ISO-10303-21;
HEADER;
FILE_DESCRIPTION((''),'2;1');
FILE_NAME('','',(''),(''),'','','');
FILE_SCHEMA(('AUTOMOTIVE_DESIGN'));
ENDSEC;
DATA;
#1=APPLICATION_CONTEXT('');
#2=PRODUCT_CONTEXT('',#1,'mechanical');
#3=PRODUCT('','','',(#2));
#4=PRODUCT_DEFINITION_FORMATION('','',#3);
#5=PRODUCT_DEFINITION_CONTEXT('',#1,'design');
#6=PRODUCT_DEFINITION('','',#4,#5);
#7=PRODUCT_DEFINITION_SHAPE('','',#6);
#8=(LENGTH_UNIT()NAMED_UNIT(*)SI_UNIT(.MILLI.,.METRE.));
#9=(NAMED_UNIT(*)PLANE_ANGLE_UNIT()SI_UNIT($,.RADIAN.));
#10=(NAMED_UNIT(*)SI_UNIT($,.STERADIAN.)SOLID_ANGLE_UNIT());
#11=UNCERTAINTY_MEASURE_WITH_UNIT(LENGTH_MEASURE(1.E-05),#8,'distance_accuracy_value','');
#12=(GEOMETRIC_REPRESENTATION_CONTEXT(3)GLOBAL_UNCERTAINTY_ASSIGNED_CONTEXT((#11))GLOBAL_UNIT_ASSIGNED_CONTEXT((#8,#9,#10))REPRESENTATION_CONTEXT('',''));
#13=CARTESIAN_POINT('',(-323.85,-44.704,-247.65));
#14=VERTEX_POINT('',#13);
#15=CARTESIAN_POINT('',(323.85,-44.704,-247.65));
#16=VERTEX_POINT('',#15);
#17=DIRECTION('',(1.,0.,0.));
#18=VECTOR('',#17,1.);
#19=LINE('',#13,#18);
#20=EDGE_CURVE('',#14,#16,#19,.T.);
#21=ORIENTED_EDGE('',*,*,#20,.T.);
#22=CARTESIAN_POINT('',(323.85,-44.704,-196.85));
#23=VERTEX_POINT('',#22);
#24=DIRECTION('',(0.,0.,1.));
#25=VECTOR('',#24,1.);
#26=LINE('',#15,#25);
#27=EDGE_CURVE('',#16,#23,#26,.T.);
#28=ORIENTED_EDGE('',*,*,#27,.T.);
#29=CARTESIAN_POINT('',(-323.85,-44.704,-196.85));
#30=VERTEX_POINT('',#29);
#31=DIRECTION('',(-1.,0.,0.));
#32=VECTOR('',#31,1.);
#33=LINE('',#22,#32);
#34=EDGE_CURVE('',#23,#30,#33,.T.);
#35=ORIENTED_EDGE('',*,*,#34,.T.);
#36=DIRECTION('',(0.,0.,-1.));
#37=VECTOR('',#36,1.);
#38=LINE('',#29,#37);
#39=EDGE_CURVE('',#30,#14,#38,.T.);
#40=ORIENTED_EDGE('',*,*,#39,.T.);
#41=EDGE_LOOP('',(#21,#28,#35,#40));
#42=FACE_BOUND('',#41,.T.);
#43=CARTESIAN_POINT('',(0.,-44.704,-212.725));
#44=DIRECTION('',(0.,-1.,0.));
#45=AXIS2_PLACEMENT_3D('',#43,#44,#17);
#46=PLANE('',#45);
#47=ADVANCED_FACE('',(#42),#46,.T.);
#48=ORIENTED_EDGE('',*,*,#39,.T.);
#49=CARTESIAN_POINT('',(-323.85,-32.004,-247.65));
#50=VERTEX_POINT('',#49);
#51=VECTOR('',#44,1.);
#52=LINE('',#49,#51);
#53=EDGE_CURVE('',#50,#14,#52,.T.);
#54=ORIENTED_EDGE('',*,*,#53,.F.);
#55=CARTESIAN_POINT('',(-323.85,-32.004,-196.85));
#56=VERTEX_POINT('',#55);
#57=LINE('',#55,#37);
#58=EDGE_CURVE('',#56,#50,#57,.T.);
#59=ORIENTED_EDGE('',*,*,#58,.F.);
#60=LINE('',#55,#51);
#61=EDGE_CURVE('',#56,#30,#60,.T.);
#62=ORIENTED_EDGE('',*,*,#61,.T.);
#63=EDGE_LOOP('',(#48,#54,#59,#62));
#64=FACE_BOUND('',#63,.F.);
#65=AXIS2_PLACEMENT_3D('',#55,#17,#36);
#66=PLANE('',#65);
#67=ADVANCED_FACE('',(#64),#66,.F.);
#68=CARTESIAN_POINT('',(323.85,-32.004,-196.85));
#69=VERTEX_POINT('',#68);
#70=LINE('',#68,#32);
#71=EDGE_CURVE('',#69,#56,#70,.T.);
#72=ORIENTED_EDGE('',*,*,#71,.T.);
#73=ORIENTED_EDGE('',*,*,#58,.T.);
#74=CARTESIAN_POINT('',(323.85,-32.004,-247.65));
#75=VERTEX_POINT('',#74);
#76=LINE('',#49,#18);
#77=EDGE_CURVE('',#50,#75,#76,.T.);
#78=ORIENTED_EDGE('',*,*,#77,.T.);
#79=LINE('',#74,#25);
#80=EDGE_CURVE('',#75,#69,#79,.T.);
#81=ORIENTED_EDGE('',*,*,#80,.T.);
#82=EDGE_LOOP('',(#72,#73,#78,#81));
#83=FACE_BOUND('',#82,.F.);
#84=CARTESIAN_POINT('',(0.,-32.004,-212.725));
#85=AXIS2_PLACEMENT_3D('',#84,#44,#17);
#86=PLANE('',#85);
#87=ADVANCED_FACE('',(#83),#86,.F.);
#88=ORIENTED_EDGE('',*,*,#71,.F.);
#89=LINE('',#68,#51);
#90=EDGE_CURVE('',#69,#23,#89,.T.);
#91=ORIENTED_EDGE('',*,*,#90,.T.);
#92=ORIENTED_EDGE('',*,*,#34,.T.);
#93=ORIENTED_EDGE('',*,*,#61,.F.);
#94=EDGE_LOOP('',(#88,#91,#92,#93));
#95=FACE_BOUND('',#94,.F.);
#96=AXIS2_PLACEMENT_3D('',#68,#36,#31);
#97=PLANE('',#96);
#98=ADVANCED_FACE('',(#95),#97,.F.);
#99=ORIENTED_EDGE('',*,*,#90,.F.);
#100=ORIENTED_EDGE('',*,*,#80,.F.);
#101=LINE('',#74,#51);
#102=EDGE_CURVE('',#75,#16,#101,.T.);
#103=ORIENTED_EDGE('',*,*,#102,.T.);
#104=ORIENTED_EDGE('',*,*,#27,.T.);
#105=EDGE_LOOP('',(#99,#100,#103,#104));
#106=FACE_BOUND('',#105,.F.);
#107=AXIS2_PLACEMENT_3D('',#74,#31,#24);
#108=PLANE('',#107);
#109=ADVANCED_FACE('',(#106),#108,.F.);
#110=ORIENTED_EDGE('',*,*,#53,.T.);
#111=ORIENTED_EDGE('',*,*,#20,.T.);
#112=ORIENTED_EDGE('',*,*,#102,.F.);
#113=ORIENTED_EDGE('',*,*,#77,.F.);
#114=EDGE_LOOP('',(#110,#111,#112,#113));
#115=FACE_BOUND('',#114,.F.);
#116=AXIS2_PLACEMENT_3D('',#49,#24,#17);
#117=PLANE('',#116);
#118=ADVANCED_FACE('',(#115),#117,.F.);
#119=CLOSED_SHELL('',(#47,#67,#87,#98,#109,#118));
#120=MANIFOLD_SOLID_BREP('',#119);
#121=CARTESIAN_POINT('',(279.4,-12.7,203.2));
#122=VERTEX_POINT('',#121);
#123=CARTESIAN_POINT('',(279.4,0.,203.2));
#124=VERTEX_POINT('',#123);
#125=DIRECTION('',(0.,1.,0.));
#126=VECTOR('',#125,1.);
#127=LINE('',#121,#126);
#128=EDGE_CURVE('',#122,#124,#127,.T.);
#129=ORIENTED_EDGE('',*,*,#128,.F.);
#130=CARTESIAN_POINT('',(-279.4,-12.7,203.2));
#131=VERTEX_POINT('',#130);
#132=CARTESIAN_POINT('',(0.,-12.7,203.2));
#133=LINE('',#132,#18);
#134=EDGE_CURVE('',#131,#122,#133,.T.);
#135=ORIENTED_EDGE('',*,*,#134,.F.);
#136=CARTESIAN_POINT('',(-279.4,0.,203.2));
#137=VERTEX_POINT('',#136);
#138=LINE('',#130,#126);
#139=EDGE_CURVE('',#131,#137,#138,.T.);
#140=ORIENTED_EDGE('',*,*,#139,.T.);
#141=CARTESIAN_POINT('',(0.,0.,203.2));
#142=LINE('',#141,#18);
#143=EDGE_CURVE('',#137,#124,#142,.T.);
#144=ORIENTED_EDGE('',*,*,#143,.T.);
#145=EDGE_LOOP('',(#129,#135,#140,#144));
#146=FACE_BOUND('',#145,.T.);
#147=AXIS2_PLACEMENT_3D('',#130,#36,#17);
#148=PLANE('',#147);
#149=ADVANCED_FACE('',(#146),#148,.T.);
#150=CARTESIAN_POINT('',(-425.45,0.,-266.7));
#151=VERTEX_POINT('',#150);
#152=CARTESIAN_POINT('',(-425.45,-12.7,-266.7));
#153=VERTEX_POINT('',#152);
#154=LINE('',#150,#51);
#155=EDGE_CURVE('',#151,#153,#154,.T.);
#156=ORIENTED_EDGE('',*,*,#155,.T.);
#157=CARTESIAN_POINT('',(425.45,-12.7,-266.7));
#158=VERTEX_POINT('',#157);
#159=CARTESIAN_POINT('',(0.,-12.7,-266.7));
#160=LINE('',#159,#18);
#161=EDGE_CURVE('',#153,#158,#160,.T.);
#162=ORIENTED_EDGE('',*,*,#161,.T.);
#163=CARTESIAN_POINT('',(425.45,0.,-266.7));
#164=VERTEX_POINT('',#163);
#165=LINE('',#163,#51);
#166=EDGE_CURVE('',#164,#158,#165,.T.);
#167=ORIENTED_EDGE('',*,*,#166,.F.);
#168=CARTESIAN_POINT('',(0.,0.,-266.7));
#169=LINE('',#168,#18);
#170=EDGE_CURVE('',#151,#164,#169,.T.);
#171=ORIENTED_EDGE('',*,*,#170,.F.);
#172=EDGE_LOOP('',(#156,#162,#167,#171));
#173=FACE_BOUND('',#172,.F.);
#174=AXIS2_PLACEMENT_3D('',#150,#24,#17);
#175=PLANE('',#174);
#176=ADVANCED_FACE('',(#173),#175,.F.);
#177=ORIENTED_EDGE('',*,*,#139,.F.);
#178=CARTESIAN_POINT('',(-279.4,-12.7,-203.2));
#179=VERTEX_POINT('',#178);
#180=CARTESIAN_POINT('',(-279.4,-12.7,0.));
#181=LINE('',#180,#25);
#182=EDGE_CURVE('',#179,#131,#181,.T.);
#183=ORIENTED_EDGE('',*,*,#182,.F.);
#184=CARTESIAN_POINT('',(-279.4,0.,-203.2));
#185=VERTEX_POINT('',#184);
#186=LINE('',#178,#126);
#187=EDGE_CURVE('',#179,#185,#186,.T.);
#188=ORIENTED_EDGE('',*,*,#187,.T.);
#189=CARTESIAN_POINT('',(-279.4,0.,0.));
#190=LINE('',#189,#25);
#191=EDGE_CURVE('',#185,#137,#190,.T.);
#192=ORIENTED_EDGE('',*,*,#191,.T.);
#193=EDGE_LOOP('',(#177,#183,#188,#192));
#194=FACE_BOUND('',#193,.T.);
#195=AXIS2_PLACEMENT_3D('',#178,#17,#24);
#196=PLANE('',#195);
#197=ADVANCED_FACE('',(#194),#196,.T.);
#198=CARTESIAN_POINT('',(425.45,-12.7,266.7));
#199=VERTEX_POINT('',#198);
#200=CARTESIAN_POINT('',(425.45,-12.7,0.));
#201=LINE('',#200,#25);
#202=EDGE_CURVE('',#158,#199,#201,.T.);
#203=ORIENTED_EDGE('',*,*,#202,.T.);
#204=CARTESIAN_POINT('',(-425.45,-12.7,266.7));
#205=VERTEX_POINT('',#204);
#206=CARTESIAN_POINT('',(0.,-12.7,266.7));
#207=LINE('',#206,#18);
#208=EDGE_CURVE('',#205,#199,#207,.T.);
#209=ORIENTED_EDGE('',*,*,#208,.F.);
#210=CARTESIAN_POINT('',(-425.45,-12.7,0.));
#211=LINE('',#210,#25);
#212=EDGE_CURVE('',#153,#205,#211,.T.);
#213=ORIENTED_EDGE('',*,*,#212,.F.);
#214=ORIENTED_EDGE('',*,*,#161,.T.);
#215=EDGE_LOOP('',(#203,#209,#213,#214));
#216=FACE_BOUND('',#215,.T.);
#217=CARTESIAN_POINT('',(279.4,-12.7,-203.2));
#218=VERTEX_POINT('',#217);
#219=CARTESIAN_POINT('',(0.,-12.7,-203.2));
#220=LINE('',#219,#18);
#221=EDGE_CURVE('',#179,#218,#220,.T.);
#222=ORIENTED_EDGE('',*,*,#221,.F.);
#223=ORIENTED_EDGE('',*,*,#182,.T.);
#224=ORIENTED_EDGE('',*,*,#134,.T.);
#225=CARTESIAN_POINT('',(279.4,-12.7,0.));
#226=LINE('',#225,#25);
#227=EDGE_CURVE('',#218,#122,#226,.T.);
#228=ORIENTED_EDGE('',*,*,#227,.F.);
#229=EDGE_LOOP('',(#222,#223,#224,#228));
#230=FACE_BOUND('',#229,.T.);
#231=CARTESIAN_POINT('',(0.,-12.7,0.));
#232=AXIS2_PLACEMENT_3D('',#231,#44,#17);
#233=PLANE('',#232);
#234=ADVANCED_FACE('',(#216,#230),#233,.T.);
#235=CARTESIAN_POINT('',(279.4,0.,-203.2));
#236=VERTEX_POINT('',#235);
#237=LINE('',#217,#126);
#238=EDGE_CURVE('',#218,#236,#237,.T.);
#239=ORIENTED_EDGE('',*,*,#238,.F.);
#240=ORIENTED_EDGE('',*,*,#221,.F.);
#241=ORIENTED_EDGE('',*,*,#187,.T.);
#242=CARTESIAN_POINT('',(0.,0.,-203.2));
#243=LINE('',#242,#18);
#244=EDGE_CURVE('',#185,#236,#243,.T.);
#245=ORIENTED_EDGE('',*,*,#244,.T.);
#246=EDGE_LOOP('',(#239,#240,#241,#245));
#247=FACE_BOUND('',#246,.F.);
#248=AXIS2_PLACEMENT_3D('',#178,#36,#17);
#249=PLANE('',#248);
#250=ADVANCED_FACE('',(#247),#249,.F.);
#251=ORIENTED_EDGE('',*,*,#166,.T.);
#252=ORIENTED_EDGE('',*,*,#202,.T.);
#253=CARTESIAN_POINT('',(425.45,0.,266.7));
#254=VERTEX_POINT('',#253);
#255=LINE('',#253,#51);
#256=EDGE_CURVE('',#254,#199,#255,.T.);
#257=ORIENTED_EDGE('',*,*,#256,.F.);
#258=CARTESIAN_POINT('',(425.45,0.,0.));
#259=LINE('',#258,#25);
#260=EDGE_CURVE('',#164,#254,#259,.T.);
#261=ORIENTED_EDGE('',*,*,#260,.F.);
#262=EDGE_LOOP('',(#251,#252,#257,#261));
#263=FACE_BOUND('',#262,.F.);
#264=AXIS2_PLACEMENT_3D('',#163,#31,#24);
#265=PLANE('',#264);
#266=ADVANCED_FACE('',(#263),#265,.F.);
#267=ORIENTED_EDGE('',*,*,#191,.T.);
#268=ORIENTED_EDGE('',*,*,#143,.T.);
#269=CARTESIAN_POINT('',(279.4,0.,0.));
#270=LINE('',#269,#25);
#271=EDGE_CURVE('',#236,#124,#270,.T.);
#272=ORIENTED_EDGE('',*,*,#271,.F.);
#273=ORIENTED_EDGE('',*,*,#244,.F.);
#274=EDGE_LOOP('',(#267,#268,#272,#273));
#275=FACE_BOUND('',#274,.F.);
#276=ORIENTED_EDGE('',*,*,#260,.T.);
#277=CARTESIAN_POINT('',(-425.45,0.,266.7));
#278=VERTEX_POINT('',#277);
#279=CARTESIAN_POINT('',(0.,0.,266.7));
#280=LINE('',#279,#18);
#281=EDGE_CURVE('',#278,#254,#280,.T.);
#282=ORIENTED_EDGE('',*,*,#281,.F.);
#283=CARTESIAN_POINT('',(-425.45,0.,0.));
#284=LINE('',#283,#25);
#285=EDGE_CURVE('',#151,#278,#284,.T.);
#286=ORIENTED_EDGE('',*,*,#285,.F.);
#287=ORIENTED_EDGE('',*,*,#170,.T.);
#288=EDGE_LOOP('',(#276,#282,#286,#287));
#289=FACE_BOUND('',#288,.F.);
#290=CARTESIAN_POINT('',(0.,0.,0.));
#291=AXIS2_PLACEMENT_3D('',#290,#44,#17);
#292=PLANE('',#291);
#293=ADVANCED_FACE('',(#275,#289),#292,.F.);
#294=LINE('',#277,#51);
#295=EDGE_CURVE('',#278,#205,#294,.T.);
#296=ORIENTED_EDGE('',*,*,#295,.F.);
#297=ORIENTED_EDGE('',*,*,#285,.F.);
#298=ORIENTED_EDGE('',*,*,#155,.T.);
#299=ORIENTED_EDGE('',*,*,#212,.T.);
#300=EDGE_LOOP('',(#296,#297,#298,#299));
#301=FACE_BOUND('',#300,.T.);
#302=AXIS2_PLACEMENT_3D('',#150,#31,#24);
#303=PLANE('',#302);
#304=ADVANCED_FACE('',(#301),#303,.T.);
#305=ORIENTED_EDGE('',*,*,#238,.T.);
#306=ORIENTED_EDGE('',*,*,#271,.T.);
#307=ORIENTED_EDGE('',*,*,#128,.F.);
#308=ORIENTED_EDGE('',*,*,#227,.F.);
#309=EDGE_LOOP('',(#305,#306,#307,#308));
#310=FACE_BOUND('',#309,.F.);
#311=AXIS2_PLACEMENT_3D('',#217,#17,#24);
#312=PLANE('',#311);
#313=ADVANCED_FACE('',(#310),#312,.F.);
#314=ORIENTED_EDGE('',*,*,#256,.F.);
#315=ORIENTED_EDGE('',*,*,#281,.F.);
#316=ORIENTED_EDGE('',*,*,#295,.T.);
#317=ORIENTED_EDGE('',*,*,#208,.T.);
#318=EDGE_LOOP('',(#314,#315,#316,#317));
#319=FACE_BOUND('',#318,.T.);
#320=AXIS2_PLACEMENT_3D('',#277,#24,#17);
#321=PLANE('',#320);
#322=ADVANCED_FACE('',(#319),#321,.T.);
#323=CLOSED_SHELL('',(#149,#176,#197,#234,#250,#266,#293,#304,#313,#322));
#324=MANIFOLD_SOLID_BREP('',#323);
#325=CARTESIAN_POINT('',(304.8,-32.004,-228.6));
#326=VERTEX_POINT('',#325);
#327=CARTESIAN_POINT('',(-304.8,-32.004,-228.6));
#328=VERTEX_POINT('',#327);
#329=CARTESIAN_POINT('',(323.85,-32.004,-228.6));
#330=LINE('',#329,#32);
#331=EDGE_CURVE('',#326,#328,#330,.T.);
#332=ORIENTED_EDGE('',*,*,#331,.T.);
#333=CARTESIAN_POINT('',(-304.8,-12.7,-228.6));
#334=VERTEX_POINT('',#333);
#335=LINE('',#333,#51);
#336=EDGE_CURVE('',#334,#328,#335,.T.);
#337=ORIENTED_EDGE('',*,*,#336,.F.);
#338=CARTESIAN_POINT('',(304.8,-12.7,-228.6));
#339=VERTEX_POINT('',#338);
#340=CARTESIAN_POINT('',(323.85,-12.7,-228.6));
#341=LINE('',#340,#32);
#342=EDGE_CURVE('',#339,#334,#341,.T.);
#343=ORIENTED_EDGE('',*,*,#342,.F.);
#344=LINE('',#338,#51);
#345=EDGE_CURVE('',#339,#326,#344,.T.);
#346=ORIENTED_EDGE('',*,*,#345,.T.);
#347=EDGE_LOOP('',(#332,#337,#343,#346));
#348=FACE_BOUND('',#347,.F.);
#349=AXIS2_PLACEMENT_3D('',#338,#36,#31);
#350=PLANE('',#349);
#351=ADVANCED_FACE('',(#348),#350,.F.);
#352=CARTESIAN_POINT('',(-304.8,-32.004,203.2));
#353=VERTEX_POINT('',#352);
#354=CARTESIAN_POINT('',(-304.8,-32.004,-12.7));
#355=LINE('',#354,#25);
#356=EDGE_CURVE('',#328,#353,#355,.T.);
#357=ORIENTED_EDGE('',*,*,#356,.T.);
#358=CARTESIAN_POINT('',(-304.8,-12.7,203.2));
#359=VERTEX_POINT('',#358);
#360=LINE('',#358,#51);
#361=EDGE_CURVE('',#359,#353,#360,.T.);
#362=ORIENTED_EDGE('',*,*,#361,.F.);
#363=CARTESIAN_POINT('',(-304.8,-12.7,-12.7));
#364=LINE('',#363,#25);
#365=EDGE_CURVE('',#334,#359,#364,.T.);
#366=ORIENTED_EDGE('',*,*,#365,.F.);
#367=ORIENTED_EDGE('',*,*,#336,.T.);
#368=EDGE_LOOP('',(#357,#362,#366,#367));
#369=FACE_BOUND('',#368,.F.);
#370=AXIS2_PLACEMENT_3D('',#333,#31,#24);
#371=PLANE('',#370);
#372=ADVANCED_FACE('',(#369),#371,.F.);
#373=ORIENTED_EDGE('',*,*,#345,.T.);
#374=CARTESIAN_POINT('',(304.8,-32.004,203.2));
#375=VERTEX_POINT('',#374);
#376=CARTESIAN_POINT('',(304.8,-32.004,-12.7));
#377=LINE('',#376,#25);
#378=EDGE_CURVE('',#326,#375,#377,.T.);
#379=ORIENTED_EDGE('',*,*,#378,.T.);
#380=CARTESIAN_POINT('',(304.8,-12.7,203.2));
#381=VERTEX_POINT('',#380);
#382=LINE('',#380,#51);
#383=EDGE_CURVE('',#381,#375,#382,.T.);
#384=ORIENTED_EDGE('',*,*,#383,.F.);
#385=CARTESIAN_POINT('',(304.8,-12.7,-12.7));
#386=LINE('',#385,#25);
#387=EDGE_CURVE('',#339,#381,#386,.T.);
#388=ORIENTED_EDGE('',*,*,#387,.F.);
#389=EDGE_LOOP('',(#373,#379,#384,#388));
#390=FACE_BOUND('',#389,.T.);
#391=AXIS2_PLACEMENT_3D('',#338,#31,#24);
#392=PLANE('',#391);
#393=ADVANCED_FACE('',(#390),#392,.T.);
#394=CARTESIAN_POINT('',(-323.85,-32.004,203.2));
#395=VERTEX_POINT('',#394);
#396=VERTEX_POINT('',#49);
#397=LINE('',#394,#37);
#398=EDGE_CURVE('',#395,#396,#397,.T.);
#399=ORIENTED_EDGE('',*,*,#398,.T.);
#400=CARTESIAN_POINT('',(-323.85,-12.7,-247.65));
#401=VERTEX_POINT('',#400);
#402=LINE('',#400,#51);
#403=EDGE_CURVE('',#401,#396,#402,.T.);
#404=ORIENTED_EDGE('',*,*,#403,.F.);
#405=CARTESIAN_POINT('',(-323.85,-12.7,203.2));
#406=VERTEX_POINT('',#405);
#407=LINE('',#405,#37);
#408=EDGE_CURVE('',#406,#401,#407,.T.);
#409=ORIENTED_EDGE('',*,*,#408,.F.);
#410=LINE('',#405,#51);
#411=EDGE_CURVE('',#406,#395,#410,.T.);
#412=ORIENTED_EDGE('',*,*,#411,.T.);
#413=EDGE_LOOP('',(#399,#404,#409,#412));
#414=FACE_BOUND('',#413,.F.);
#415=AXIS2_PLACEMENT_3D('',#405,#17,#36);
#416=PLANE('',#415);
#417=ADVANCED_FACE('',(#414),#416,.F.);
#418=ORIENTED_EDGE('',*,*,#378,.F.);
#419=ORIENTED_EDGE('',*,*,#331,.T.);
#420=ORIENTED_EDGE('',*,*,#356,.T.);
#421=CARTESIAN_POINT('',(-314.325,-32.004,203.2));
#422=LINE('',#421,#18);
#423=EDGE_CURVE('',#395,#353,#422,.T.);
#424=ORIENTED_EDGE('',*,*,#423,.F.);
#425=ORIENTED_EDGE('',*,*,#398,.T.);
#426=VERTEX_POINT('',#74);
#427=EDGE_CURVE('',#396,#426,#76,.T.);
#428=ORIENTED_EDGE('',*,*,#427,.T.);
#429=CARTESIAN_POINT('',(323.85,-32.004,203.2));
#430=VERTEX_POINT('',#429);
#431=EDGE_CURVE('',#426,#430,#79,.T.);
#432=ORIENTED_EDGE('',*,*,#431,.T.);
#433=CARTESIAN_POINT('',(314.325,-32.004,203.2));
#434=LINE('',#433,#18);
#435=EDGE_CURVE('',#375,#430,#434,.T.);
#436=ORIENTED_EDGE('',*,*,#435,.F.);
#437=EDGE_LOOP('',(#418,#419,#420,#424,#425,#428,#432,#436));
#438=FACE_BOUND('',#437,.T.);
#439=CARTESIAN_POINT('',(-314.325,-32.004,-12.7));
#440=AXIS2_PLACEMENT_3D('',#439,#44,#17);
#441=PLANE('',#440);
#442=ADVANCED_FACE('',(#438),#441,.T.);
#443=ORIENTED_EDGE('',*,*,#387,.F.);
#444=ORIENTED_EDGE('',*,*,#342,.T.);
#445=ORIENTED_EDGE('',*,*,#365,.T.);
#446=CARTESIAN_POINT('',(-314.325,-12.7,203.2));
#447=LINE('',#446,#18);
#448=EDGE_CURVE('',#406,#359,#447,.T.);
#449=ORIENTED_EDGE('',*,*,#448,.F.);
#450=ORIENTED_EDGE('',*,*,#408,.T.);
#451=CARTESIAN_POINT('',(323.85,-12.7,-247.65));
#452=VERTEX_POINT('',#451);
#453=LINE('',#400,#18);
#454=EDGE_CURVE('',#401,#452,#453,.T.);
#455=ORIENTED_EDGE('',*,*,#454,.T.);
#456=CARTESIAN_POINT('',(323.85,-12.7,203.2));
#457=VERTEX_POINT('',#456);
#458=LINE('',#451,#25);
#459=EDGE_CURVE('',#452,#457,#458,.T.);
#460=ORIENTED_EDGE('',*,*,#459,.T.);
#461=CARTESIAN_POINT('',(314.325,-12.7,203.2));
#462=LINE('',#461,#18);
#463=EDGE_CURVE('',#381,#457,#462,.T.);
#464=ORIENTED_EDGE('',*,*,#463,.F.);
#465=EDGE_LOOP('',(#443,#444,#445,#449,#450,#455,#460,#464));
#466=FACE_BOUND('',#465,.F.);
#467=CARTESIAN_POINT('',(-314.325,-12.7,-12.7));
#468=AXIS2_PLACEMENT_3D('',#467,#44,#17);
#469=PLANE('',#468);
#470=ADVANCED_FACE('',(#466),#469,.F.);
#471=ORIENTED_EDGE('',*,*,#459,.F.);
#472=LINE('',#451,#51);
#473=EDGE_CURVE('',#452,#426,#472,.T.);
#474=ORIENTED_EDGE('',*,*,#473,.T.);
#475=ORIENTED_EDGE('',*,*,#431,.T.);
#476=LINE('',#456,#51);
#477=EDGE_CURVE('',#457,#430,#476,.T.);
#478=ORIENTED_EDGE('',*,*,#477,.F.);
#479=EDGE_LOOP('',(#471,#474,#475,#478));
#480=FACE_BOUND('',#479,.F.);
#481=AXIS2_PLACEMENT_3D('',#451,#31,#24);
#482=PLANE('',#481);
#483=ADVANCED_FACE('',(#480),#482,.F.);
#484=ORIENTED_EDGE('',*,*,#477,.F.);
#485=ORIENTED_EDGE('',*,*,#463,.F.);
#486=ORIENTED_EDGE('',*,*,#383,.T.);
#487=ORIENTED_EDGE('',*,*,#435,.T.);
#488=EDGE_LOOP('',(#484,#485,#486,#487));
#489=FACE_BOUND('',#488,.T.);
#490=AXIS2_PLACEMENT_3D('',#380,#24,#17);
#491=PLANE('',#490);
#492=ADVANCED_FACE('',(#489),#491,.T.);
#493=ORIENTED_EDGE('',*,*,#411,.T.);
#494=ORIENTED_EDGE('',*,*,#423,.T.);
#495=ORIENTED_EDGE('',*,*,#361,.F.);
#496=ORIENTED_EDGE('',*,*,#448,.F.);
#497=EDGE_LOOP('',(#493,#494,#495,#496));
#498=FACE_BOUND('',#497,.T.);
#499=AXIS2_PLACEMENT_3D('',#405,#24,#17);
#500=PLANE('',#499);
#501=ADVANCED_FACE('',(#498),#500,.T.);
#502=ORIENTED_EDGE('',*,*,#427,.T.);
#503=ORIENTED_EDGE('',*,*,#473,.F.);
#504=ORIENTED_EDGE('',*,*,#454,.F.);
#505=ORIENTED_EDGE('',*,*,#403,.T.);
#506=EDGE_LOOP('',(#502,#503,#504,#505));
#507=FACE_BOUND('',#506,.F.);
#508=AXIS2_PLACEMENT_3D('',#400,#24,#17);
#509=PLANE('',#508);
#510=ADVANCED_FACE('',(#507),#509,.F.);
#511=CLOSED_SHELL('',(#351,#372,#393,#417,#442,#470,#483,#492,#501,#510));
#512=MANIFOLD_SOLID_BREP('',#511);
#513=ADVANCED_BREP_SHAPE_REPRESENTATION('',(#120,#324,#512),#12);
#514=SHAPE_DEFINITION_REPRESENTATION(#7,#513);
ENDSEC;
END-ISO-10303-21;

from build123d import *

# Parameters (mm, degrees)
F0_W     = 850.9
F0_H     = 533.4
F1_DEPTH = 12.7
F2_W     = 558.8
F2_H     = 406.4
F3_DEPTH = 12.7
F4_W     = 19.05
F4_H     = 431.8
F5_DEPTH = 19.304
F6_W     = 609.6
F6_H     = 31.75
F7_DEPTH = 12.7


with BuildPart() as f1:
    # F0 (on Front) → F1 (new body)
    with BuildSketch(Plane.XZ):
        Rectangle(F0_W, F0_H)
    extrude(amount=F1_DEPTH)

    # F2 (on face) → F3 (cut, through all)
    with BuildSketch(Plane.XZ.offset(12.7)):
        Rectangle(F2_W, F2_H)
    extrude(amount=-F3_DEPTH, mode=Mode.SUBTRACT)


with BuildPart() as f5:
    # F4 (on face) → F5 (new body)
    with BuildSketch(Plane.XZ.offset(12.7)):
        with Locations((-314.325, -12.7)):
            Rectangle(F4_W, F4_H)
        Polygon((-304.8, -228.6), (-323.85, -228.6), (-323.85, -247.65), (323.85, -247.65), (323.85, -228.6), (304.8, -228.6), align=None)
        with Locations((314.325, -12.7)):
            Rectangle(F4_W, F4_H)
    extrude(amount=F5_DEPTH)


with BuildPart() as f7:
    # F6 (on face) → F7 (new body)
    with BuildSketch(Plane.XZ.offset(32.004)):
        with Locations((0, -212.725)):
            Rectangle(F6_W, F6_H)
        Polygon((-323.85, -196.85), (-323.85, -247.65), (323.85, -247.65), (323.85, -196.85), (304.8, -196.85), (304.8, -228.6), (-304.8, -228.6), (-304.8, -196.85), align=None)
    extrude(amount=F7_DEPTH)


solid = Compound([f1.part, f5.part, f7.part])
